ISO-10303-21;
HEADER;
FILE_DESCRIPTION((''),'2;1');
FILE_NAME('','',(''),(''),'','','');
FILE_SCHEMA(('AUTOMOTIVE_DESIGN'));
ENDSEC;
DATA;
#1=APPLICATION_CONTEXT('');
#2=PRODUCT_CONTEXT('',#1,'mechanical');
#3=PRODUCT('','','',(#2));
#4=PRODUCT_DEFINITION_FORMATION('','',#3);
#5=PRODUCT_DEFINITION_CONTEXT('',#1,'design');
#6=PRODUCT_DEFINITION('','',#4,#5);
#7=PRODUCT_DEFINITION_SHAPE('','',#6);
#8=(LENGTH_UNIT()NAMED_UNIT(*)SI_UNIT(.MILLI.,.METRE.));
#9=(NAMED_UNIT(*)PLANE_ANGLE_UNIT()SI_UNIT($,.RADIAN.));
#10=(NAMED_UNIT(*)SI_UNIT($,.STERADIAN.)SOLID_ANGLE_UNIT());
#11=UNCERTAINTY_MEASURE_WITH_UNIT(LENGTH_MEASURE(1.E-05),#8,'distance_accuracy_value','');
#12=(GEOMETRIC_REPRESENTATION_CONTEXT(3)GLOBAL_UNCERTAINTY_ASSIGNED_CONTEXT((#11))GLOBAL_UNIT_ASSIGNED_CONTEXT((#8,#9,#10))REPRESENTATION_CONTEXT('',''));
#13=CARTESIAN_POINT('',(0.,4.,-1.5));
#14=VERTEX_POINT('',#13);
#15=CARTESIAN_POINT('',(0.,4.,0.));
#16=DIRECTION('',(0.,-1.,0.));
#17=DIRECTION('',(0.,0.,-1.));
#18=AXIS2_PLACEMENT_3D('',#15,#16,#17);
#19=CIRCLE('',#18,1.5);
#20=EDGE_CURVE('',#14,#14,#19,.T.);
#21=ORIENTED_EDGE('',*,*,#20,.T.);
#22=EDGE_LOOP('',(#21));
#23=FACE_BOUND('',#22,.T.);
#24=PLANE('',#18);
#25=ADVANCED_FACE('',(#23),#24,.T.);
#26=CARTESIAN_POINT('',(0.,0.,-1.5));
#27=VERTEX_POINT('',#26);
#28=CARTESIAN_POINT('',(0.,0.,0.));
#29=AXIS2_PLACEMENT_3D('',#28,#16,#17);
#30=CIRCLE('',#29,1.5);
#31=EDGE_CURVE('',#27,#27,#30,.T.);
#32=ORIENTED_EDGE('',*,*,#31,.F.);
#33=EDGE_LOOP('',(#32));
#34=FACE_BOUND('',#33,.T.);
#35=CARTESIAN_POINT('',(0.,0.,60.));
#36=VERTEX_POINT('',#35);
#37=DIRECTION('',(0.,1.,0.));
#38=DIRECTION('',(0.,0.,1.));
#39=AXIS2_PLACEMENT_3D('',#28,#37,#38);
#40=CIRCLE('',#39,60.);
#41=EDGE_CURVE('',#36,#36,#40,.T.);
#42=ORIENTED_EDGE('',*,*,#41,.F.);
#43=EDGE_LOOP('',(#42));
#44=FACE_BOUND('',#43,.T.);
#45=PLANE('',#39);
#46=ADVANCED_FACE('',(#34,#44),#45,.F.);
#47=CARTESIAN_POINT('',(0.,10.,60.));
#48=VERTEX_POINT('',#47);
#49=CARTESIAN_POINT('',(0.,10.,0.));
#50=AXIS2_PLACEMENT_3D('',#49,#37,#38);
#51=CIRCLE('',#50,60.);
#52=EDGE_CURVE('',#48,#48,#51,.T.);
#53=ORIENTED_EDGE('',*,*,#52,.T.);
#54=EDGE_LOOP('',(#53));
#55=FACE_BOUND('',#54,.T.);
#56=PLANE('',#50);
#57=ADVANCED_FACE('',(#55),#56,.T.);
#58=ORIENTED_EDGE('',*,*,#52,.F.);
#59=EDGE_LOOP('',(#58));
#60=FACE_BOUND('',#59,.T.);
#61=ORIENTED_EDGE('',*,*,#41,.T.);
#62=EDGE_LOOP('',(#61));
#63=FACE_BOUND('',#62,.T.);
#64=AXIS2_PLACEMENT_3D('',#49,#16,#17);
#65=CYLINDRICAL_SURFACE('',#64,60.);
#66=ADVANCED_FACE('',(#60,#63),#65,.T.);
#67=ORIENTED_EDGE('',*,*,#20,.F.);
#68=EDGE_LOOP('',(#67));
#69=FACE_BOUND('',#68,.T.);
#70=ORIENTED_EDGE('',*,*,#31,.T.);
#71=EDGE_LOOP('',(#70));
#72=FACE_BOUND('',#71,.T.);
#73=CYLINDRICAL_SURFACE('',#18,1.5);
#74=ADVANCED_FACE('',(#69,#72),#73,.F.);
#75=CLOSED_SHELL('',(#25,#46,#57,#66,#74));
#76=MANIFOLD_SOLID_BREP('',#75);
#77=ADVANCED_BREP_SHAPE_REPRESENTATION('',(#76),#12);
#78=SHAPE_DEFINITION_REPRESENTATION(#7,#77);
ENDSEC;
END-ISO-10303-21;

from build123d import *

# Parameters (mm, degrees)
SKETCH1_R           = 60
BOSS_EXTRUDE1_DEPTH = 10
SKETCH2_R           = 1.5
CUT_EXTRUDE1_DEPTH  = 4


with BuildPart() as part:
    # Sketch1 → Boss-Extrude1 (new body)
    with BuildSketch(Plane(origin=(0, 0, 0), x_dir=(1, 0, 0), z_dir=(0, 1, 0))):
        Circle(SKETCH1_R)
    extrude(amount=BOSS_EXTRUDE1_DEPTH)

    # Sketch2 → Cut-Extrude1 (cut)
    with BuildSketch(Plane.XZ):
        Circle(SKETCH2_R)
    extrude(amount=-CUT_EXTRUDE1_DEPTH, mode=Mode.SUBTRACT)


solid = part.part
